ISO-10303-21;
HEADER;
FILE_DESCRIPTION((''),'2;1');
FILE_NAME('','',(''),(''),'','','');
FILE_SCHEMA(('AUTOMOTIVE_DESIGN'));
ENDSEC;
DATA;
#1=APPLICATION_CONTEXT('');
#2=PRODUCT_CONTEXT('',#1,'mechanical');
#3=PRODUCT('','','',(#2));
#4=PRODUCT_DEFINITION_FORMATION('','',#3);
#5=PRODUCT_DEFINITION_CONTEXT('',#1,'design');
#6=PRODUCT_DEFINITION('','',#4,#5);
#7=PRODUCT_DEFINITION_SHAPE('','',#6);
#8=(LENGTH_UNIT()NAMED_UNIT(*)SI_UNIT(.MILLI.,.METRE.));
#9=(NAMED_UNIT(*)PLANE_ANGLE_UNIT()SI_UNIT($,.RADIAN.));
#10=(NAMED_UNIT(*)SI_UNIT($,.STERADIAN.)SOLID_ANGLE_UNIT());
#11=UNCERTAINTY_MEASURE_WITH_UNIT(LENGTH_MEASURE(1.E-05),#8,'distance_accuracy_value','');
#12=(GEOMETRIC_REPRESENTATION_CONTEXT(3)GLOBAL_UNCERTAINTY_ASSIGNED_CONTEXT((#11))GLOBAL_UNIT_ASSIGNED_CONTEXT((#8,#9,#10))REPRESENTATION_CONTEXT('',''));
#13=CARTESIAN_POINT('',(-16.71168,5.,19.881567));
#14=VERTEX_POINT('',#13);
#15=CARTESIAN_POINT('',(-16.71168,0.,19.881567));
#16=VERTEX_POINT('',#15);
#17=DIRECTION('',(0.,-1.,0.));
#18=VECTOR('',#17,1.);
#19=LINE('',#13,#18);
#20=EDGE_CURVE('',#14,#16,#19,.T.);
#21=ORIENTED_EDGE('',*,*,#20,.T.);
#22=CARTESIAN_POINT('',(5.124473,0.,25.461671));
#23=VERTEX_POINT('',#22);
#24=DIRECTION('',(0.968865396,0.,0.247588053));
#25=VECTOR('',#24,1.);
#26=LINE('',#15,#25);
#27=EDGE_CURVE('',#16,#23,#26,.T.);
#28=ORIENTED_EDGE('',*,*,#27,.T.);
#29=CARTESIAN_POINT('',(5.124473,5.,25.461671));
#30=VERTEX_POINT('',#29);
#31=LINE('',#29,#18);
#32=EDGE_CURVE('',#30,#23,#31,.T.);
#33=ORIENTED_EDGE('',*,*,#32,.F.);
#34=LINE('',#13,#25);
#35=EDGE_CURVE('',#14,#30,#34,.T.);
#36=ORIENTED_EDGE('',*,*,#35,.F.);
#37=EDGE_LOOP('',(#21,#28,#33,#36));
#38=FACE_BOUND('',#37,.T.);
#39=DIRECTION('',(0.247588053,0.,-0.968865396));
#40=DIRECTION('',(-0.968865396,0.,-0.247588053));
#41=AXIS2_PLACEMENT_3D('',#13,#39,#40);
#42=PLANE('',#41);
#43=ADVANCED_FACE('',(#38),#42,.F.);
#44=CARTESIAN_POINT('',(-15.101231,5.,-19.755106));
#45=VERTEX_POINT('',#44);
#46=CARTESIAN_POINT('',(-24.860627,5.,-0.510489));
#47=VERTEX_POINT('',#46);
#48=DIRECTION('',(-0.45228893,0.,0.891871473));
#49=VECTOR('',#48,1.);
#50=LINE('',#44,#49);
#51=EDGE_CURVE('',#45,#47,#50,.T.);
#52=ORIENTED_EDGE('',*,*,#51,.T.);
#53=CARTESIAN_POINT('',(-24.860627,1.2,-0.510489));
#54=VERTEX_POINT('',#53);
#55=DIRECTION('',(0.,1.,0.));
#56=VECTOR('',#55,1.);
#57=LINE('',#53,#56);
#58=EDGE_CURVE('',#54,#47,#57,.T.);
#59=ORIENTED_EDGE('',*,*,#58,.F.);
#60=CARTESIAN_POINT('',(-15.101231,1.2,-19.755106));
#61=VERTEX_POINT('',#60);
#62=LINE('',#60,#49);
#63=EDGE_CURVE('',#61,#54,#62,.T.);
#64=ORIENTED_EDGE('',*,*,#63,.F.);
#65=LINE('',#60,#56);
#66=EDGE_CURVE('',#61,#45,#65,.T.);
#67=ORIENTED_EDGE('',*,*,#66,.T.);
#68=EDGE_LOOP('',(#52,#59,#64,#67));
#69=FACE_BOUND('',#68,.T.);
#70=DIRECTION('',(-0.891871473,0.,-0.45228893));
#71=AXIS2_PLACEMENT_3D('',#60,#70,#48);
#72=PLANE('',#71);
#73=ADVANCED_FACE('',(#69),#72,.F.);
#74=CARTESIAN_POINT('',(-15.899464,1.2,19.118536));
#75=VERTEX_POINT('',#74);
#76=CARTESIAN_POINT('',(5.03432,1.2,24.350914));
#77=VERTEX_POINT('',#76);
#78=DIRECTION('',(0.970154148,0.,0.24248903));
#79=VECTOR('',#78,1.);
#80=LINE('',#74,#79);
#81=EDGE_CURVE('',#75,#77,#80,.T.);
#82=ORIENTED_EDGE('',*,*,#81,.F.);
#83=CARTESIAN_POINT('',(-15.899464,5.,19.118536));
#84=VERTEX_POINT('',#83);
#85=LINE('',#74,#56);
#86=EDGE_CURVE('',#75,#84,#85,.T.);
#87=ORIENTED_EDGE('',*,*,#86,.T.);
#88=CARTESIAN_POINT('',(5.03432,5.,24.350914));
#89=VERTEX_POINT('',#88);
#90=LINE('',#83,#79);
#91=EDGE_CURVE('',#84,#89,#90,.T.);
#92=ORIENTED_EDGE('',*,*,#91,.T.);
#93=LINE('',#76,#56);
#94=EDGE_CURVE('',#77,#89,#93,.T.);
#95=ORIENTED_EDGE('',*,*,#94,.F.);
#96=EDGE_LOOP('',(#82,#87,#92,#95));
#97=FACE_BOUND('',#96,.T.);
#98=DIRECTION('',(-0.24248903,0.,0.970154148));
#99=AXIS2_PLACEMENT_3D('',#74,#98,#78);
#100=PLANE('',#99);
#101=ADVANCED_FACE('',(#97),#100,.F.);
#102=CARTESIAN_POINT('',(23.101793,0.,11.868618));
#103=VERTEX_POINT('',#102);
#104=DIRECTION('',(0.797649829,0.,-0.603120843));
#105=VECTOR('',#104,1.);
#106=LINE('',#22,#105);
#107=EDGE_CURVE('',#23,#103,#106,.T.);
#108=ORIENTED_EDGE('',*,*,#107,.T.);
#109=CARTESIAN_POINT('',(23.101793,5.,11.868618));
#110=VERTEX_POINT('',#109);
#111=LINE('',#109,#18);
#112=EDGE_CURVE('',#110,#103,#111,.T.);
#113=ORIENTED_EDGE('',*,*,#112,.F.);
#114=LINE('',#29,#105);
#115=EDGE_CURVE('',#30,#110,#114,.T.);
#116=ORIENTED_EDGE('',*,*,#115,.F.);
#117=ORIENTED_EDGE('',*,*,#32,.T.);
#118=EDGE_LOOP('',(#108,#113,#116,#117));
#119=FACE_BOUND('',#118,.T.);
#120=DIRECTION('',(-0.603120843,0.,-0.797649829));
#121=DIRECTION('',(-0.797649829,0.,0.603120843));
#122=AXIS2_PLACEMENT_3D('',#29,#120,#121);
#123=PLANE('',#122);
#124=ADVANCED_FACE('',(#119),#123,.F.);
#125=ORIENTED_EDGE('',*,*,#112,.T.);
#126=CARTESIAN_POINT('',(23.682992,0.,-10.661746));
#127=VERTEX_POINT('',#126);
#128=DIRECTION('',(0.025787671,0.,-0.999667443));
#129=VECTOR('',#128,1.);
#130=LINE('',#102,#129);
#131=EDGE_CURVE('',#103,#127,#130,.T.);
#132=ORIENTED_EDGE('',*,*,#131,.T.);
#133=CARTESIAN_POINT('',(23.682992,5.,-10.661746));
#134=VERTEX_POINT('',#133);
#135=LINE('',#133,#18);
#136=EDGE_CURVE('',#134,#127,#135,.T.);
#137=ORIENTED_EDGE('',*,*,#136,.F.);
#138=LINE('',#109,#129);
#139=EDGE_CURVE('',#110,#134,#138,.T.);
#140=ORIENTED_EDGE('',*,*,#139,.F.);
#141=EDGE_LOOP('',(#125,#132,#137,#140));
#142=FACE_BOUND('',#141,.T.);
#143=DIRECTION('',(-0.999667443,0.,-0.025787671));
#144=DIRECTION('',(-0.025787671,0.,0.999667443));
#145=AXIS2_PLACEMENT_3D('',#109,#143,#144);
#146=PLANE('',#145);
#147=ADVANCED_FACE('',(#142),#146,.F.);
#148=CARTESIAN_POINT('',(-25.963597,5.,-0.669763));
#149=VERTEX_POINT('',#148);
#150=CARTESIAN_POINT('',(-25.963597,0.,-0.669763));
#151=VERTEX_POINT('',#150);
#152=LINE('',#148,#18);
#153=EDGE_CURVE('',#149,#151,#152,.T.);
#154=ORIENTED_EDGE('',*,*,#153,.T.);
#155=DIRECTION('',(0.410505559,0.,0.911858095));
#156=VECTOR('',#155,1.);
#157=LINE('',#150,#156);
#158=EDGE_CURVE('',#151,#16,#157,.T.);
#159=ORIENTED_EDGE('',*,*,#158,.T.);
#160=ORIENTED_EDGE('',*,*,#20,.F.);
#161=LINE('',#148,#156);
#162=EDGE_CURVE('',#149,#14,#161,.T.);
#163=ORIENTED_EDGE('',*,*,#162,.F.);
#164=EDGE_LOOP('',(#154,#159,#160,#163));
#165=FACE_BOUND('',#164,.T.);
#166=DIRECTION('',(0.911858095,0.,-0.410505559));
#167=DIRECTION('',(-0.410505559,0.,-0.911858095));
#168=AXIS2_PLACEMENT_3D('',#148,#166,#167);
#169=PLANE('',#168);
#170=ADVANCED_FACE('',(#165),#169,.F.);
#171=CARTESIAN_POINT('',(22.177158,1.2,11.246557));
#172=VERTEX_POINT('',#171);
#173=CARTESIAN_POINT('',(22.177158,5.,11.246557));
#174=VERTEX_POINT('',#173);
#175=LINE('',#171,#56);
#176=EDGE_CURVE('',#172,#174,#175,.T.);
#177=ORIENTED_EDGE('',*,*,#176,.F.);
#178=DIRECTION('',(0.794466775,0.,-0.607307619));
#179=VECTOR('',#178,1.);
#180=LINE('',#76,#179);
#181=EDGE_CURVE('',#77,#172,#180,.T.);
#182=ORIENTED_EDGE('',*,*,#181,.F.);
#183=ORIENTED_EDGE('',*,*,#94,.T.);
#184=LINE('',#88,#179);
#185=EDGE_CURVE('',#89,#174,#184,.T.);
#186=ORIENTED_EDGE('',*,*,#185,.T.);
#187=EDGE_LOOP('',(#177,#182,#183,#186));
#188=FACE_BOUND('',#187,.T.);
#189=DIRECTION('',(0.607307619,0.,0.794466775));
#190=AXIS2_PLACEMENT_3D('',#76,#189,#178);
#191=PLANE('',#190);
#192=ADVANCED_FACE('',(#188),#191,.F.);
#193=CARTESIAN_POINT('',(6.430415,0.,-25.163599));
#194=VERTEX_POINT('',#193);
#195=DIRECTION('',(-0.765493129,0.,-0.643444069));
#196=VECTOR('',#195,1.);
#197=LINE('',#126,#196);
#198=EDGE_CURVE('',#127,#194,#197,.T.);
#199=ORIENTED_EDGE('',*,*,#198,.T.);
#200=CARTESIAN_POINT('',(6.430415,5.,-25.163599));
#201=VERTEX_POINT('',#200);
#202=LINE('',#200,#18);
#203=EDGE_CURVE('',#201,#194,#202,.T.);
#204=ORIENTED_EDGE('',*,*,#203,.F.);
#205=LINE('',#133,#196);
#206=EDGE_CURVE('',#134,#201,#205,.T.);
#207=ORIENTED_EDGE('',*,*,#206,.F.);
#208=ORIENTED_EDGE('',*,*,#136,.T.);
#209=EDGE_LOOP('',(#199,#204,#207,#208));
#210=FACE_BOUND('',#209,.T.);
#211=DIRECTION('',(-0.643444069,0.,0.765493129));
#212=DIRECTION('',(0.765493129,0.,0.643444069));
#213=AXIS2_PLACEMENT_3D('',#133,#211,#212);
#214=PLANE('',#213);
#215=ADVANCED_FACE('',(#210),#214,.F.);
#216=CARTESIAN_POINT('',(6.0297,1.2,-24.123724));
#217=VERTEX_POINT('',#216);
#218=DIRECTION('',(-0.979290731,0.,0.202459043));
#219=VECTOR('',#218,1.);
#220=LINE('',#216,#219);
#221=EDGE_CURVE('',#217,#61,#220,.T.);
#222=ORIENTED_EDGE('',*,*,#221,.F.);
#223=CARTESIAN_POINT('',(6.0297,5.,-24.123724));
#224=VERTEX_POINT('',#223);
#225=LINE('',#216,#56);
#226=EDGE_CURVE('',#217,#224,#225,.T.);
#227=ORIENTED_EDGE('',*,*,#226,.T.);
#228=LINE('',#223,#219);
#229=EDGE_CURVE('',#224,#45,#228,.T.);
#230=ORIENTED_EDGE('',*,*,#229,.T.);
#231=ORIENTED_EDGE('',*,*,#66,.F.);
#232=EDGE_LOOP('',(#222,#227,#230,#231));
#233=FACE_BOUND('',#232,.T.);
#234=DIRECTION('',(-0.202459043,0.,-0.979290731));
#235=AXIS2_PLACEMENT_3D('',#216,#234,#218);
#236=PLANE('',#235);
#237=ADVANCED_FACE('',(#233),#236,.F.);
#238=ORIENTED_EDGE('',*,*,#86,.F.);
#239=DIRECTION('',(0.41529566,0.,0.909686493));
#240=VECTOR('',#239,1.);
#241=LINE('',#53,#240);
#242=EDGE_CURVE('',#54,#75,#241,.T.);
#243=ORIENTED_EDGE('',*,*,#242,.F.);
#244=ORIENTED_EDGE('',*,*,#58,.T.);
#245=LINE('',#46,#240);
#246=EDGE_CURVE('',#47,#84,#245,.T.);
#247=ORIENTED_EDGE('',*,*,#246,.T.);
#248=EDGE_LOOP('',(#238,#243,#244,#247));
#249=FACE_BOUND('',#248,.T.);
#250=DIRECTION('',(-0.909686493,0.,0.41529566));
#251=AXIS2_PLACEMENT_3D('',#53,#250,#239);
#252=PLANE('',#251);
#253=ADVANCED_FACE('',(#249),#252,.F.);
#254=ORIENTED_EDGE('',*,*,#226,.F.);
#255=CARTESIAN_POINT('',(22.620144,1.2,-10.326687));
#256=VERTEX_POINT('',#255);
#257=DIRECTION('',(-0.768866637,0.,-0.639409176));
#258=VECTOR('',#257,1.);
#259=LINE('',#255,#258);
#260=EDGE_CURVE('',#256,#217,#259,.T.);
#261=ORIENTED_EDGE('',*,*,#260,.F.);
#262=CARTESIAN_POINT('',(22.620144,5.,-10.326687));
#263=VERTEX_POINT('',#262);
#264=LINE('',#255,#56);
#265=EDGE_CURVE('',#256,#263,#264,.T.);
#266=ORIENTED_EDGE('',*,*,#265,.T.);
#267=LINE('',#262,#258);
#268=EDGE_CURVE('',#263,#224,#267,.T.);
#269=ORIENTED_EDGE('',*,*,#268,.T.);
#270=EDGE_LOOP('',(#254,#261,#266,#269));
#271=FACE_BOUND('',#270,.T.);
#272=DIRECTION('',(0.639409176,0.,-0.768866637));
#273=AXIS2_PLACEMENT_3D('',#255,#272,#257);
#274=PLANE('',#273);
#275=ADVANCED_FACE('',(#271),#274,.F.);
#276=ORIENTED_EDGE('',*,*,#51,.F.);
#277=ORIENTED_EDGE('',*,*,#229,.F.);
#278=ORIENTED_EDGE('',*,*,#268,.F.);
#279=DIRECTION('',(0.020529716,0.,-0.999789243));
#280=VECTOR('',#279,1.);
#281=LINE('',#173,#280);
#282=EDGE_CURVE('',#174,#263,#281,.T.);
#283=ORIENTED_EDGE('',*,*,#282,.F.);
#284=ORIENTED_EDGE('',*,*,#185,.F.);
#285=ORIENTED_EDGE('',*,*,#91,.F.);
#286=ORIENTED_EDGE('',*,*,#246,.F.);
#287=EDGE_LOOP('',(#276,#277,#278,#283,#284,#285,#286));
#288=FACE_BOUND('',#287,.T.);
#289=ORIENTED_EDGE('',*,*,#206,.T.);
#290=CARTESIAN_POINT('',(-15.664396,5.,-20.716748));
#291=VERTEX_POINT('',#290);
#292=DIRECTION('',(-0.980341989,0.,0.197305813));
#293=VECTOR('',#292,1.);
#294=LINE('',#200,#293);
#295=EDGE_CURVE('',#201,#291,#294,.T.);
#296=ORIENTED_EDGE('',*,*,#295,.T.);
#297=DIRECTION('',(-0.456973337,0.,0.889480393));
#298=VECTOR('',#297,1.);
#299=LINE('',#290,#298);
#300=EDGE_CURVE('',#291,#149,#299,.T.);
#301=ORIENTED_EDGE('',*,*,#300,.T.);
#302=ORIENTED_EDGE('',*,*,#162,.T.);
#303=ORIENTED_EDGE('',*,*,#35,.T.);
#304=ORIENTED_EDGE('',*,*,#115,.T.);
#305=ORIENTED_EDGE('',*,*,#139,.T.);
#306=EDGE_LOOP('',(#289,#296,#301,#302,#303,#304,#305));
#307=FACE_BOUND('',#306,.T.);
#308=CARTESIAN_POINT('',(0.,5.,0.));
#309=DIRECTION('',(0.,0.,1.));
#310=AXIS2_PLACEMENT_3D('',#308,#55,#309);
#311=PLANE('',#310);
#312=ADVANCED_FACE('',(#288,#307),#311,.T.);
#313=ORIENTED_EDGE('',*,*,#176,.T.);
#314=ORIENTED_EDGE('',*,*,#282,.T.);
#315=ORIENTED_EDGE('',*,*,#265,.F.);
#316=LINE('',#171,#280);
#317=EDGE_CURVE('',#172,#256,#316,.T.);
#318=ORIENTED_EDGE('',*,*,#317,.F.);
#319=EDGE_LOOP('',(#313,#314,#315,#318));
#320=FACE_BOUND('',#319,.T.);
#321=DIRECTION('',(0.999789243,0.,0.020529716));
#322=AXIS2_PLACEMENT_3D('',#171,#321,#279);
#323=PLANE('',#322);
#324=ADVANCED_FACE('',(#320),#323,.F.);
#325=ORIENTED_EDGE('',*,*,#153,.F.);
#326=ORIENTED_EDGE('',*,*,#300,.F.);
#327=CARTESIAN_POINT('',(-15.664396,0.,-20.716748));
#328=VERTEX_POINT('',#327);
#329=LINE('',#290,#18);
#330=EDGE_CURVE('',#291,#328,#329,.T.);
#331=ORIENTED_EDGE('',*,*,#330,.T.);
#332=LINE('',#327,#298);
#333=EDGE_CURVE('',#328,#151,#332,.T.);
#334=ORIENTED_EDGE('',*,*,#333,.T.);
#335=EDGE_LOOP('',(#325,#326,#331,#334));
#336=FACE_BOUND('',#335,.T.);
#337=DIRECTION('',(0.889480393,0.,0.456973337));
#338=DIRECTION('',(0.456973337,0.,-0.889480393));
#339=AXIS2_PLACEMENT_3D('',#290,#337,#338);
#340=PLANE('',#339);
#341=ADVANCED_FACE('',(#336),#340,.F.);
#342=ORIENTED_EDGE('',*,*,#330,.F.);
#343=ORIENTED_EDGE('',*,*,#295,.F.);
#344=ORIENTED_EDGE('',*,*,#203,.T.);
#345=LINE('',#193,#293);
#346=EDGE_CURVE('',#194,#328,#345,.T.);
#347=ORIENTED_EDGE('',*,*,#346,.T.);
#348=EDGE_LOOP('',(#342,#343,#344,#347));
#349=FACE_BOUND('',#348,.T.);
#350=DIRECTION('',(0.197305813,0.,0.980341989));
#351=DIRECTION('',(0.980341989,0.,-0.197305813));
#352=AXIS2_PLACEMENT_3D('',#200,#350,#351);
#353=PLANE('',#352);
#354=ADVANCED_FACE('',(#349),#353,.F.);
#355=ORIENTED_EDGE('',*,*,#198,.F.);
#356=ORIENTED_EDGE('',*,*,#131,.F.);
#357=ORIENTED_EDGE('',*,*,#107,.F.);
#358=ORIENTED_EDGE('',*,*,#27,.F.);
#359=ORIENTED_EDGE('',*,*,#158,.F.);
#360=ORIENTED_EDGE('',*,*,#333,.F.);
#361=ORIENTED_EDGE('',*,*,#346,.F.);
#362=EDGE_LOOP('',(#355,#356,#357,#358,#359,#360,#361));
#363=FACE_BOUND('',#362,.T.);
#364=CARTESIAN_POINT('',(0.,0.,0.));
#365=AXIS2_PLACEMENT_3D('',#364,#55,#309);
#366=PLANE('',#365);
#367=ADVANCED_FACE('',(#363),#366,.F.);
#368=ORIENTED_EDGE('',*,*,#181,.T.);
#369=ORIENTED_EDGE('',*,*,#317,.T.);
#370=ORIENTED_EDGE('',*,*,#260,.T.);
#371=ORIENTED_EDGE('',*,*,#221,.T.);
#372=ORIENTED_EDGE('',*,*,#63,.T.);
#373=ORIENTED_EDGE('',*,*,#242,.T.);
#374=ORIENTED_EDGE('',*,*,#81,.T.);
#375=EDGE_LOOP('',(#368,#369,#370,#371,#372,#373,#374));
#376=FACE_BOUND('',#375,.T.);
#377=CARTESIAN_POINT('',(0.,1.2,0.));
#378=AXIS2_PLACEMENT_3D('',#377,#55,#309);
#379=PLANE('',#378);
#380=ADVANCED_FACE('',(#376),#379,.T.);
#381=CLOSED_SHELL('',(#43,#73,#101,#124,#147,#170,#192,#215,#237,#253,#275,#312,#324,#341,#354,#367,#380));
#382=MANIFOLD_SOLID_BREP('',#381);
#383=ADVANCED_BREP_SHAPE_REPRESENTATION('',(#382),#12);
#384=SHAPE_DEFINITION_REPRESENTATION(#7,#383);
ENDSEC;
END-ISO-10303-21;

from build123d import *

# Parameters (mm, degrees)
BOSS_EXTRUDE1_DEPTH = 5
CUT_EXTRUDE1_DEPTH  = 3.8


with BuildPart() as part:
    # Sketch1 → Boss-Extrude1 (new body)
    with BuildSketch(Plane(origin=(0, 0, 0), x_dir=(1, 0, 0), z_dir=(0, 1, 0))):
        Polygon((-16.711679863, -19.881566597), (5.12447272, -25.46167146), (23.101792825, -11.86861839), (23.682991741, 10.661746403), (6.430414832, 25.163598695), (-15.664395602, 20.716747925), (-25.963596653, 0.669763423), align=None)
    extrude(amount=BOSS_EXTRUDE1_DEPTH)

    # Sketch5 → Cut-Extrude1 (cut)
    with BuildSketch(Plane(origin=(0, 5, 0), x_dir=(1, 0, 0), z_dir=(0, 1, 0))):
        Polygon((6.029700068, 24.123724456), (-15.101230753, 19.755105525), (-24.860626809, 0.510489202), (-15.899463813, -19.118535902), (5.034319724, -24.350913524), (22.177157828, -11.246556595), (22.620143755, 10.326686838), align=None)
    extrude(amount=-CUT_EXTRUDE1_DEPTH, mode=Mode.SUBTRACT)


solid = part.part
